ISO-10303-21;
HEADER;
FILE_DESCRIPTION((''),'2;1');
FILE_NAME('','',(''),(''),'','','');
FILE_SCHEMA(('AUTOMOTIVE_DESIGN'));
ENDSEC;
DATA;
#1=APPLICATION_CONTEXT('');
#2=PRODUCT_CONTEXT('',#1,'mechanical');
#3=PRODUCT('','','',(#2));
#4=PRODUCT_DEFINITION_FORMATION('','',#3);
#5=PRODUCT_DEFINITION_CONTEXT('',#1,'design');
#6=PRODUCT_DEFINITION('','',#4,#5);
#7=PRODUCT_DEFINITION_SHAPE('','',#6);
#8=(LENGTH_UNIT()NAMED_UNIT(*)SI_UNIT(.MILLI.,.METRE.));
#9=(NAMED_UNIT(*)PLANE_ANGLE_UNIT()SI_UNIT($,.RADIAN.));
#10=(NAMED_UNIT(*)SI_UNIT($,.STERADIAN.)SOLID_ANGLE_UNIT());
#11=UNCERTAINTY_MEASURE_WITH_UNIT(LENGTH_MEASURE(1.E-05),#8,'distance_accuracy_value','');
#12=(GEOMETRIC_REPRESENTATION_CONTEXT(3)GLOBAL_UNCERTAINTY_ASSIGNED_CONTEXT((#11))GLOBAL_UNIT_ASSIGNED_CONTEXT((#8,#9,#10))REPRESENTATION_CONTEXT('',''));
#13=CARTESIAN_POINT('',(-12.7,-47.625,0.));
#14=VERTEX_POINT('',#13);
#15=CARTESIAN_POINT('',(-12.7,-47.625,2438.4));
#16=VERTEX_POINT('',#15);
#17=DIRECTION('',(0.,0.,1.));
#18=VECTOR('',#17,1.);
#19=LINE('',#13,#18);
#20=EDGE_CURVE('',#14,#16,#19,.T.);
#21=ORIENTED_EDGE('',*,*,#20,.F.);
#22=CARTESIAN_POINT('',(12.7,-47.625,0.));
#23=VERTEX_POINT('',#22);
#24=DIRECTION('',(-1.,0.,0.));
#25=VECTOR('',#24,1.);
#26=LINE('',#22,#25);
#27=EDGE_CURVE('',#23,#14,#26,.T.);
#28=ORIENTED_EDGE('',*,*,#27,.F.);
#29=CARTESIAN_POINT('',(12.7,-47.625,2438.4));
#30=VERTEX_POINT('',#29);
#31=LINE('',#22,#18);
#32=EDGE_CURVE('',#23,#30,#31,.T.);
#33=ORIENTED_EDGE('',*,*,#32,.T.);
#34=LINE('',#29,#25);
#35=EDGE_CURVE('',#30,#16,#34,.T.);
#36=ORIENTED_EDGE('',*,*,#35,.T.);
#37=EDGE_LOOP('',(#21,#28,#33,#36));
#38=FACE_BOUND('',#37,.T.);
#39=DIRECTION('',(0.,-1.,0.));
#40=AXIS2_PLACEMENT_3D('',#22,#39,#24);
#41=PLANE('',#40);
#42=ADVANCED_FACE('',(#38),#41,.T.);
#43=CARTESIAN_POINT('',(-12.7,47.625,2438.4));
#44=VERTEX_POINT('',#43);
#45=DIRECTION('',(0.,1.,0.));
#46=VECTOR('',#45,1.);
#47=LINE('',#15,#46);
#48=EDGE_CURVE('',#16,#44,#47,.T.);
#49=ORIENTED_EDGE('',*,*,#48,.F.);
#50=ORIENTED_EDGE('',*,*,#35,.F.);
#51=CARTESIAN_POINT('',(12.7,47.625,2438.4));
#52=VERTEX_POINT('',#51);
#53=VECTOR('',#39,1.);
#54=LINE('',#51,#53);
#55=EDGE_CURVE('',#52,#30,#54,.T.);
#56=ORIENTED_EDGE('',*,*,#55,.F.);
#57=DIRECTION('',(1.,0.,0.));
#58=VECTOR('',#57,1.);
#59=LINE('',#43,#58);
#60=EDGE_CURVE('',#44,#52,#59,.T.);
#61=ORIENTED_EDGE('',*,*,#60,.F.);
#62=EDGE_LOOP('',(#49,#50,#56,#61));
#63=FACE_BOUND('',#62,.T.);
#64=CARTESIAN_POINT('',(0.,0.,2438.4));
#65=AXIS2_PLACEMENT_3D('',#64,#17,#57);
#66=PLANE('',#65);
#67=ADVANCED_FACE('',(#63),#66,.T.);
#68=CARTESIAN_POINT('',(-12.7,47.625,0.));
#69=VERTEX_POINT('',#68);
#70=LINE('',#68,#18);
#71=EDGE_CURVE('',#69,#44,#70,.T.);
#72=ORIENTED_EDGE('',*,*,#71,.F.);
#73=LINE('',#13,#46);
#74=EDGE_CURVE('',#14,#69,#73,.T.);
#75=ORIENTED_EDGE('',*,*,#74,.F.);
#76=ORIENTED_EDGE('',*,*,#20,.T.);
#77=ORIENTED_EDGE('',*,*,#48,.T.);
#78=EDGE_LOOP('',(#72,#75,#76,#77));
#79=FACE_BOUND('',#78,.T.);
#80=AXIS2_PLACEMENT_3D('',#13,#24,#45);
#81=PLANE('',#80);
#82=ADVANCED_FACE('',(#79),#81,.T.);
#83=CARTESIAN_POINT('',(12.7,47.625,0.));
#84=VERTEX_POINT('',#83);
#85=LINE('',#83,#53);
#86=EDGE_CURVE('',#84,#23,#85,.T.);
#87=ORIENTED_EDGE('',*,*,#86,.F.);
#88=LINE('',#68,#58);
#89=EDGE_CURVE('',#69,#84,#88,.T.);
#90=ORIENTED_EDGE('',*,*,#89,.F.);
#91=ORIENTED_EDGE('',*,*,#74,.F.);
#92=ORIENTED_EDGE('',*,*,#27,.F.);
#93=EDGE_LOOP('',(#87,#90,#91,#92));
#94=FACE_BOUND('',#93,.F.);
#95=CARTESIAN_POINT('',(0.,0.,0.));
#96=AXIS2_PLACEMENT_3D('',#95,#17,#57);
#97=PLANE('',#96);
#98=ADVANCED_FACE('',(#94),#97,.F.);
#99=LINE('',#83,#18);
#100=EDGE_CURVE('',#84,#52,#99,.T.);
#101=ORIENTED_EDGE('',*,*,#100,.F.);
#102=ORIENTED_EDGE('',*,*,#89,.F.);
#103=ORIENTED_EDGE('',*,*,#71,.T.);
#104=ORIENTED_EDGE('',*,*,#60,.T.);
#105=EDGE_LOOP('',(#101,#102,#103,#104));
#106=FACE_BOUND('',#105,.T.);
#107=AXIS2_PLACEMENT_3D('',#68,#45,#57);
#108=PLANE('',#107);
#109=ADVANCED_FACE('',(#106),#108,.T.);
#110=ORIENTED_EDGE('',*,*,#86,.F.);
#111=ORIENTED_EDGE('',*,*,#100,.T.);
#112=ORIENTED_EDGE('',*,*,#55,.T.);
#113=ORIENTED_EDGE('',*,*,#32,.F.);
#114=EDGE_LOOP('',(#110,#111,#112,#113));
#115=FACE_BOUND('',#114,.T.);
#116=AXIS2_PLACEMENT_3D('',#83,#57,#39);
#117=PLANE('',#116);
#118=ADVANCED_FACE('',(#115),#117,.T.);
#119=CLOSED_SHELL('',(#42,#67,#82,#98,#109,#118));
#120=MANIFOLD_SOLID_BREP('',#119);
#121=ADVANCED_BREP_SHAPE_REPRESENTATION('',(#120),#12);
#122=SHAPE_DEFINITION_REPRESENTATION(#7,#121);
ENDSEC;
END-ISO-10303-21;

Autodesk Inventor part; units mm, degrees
ref_plane "YZ Plane" through (0, 0, 0) normal (1, 0, 0) x (0, 1, 0)
ref_plane "Start Plane" through (0, 0, 0) normal (0, 0, 1) x (1, 0, 0)
ref_plane "End Plane" through (0, 0, 2438.4) normal (0, 0, 1) x (1, 0, 0)
sketch "Sketch" plane through (0, 0, 0) normal (0, 0, 1) x (1, 0, 0)
  line L0 (12.7, -47.625) -> (-12.7, -47.625)
  line L1 (-12.7, -47.625) -> (-12.7, 47.625)
  line L2 (-12.7, 47.625) -> (12.7, 47.625)
  line L3 (12.7, 47.625) -> (12.7, -47.625)
  line L4 (-6, 0) -> (8, 0) construction
  line L5 (0, -30) -> (0, 40) construction
  line L6 (0, 66.675) -> (0, -66.675) construction
  line L7 (-17.78, 0) -> (17.78, 0) construction
  dimension "d0" = 95.25
  dimension "d1" = 25.4
  dimension "d4" = 12.7
  dimension "d5" = 47.625
extrude "Body" add sketch "Sketch" along normal up to surface (2438.4 mm away) from surface at 0
sketch "Sketch3" plane through (0, 0, 0) normal (0, 0, 1) x (1, 0, 0)
  line L0 (0, 0) -> (10, 0)
ref_plane "Work Plane3" through (0, 0, 0) normal (0, -1, 0) x (1, 0, 0)
sketch "Sketch4" plane through (0, 0, 0) normal (0, -1, 0) x (1, 0, 0)
  line L0 (-2, 0) -> (12, 0) projected
  line L1 (-2, 2438.4) -> (12, 2438.4) projected
  dimension "d9" = 2438.4
equation "\"d0\" = G_W"
equation "\"d1\" = G_H"
equation "\"d4\" = 0.5 * d1"
equation "\"d5\" = 0.5 * d0"
equation "\"d2\" = G_L"
equation "\"G_W\" = 95.25"
equation "\"G_H\" = 25.4"
equation "\"G_L\" = d9"
equation "\"G_OFFSET_START\" = 0"
equation "\"G_OFFSET_END\" = 0"
equation "\"d7\" = G_OFFSET_END + B_L"
equation "\"B_L\" = 2438.4"
properties part number "AISC - 3 3/4x1 - 96" material "Steel, Mild"
